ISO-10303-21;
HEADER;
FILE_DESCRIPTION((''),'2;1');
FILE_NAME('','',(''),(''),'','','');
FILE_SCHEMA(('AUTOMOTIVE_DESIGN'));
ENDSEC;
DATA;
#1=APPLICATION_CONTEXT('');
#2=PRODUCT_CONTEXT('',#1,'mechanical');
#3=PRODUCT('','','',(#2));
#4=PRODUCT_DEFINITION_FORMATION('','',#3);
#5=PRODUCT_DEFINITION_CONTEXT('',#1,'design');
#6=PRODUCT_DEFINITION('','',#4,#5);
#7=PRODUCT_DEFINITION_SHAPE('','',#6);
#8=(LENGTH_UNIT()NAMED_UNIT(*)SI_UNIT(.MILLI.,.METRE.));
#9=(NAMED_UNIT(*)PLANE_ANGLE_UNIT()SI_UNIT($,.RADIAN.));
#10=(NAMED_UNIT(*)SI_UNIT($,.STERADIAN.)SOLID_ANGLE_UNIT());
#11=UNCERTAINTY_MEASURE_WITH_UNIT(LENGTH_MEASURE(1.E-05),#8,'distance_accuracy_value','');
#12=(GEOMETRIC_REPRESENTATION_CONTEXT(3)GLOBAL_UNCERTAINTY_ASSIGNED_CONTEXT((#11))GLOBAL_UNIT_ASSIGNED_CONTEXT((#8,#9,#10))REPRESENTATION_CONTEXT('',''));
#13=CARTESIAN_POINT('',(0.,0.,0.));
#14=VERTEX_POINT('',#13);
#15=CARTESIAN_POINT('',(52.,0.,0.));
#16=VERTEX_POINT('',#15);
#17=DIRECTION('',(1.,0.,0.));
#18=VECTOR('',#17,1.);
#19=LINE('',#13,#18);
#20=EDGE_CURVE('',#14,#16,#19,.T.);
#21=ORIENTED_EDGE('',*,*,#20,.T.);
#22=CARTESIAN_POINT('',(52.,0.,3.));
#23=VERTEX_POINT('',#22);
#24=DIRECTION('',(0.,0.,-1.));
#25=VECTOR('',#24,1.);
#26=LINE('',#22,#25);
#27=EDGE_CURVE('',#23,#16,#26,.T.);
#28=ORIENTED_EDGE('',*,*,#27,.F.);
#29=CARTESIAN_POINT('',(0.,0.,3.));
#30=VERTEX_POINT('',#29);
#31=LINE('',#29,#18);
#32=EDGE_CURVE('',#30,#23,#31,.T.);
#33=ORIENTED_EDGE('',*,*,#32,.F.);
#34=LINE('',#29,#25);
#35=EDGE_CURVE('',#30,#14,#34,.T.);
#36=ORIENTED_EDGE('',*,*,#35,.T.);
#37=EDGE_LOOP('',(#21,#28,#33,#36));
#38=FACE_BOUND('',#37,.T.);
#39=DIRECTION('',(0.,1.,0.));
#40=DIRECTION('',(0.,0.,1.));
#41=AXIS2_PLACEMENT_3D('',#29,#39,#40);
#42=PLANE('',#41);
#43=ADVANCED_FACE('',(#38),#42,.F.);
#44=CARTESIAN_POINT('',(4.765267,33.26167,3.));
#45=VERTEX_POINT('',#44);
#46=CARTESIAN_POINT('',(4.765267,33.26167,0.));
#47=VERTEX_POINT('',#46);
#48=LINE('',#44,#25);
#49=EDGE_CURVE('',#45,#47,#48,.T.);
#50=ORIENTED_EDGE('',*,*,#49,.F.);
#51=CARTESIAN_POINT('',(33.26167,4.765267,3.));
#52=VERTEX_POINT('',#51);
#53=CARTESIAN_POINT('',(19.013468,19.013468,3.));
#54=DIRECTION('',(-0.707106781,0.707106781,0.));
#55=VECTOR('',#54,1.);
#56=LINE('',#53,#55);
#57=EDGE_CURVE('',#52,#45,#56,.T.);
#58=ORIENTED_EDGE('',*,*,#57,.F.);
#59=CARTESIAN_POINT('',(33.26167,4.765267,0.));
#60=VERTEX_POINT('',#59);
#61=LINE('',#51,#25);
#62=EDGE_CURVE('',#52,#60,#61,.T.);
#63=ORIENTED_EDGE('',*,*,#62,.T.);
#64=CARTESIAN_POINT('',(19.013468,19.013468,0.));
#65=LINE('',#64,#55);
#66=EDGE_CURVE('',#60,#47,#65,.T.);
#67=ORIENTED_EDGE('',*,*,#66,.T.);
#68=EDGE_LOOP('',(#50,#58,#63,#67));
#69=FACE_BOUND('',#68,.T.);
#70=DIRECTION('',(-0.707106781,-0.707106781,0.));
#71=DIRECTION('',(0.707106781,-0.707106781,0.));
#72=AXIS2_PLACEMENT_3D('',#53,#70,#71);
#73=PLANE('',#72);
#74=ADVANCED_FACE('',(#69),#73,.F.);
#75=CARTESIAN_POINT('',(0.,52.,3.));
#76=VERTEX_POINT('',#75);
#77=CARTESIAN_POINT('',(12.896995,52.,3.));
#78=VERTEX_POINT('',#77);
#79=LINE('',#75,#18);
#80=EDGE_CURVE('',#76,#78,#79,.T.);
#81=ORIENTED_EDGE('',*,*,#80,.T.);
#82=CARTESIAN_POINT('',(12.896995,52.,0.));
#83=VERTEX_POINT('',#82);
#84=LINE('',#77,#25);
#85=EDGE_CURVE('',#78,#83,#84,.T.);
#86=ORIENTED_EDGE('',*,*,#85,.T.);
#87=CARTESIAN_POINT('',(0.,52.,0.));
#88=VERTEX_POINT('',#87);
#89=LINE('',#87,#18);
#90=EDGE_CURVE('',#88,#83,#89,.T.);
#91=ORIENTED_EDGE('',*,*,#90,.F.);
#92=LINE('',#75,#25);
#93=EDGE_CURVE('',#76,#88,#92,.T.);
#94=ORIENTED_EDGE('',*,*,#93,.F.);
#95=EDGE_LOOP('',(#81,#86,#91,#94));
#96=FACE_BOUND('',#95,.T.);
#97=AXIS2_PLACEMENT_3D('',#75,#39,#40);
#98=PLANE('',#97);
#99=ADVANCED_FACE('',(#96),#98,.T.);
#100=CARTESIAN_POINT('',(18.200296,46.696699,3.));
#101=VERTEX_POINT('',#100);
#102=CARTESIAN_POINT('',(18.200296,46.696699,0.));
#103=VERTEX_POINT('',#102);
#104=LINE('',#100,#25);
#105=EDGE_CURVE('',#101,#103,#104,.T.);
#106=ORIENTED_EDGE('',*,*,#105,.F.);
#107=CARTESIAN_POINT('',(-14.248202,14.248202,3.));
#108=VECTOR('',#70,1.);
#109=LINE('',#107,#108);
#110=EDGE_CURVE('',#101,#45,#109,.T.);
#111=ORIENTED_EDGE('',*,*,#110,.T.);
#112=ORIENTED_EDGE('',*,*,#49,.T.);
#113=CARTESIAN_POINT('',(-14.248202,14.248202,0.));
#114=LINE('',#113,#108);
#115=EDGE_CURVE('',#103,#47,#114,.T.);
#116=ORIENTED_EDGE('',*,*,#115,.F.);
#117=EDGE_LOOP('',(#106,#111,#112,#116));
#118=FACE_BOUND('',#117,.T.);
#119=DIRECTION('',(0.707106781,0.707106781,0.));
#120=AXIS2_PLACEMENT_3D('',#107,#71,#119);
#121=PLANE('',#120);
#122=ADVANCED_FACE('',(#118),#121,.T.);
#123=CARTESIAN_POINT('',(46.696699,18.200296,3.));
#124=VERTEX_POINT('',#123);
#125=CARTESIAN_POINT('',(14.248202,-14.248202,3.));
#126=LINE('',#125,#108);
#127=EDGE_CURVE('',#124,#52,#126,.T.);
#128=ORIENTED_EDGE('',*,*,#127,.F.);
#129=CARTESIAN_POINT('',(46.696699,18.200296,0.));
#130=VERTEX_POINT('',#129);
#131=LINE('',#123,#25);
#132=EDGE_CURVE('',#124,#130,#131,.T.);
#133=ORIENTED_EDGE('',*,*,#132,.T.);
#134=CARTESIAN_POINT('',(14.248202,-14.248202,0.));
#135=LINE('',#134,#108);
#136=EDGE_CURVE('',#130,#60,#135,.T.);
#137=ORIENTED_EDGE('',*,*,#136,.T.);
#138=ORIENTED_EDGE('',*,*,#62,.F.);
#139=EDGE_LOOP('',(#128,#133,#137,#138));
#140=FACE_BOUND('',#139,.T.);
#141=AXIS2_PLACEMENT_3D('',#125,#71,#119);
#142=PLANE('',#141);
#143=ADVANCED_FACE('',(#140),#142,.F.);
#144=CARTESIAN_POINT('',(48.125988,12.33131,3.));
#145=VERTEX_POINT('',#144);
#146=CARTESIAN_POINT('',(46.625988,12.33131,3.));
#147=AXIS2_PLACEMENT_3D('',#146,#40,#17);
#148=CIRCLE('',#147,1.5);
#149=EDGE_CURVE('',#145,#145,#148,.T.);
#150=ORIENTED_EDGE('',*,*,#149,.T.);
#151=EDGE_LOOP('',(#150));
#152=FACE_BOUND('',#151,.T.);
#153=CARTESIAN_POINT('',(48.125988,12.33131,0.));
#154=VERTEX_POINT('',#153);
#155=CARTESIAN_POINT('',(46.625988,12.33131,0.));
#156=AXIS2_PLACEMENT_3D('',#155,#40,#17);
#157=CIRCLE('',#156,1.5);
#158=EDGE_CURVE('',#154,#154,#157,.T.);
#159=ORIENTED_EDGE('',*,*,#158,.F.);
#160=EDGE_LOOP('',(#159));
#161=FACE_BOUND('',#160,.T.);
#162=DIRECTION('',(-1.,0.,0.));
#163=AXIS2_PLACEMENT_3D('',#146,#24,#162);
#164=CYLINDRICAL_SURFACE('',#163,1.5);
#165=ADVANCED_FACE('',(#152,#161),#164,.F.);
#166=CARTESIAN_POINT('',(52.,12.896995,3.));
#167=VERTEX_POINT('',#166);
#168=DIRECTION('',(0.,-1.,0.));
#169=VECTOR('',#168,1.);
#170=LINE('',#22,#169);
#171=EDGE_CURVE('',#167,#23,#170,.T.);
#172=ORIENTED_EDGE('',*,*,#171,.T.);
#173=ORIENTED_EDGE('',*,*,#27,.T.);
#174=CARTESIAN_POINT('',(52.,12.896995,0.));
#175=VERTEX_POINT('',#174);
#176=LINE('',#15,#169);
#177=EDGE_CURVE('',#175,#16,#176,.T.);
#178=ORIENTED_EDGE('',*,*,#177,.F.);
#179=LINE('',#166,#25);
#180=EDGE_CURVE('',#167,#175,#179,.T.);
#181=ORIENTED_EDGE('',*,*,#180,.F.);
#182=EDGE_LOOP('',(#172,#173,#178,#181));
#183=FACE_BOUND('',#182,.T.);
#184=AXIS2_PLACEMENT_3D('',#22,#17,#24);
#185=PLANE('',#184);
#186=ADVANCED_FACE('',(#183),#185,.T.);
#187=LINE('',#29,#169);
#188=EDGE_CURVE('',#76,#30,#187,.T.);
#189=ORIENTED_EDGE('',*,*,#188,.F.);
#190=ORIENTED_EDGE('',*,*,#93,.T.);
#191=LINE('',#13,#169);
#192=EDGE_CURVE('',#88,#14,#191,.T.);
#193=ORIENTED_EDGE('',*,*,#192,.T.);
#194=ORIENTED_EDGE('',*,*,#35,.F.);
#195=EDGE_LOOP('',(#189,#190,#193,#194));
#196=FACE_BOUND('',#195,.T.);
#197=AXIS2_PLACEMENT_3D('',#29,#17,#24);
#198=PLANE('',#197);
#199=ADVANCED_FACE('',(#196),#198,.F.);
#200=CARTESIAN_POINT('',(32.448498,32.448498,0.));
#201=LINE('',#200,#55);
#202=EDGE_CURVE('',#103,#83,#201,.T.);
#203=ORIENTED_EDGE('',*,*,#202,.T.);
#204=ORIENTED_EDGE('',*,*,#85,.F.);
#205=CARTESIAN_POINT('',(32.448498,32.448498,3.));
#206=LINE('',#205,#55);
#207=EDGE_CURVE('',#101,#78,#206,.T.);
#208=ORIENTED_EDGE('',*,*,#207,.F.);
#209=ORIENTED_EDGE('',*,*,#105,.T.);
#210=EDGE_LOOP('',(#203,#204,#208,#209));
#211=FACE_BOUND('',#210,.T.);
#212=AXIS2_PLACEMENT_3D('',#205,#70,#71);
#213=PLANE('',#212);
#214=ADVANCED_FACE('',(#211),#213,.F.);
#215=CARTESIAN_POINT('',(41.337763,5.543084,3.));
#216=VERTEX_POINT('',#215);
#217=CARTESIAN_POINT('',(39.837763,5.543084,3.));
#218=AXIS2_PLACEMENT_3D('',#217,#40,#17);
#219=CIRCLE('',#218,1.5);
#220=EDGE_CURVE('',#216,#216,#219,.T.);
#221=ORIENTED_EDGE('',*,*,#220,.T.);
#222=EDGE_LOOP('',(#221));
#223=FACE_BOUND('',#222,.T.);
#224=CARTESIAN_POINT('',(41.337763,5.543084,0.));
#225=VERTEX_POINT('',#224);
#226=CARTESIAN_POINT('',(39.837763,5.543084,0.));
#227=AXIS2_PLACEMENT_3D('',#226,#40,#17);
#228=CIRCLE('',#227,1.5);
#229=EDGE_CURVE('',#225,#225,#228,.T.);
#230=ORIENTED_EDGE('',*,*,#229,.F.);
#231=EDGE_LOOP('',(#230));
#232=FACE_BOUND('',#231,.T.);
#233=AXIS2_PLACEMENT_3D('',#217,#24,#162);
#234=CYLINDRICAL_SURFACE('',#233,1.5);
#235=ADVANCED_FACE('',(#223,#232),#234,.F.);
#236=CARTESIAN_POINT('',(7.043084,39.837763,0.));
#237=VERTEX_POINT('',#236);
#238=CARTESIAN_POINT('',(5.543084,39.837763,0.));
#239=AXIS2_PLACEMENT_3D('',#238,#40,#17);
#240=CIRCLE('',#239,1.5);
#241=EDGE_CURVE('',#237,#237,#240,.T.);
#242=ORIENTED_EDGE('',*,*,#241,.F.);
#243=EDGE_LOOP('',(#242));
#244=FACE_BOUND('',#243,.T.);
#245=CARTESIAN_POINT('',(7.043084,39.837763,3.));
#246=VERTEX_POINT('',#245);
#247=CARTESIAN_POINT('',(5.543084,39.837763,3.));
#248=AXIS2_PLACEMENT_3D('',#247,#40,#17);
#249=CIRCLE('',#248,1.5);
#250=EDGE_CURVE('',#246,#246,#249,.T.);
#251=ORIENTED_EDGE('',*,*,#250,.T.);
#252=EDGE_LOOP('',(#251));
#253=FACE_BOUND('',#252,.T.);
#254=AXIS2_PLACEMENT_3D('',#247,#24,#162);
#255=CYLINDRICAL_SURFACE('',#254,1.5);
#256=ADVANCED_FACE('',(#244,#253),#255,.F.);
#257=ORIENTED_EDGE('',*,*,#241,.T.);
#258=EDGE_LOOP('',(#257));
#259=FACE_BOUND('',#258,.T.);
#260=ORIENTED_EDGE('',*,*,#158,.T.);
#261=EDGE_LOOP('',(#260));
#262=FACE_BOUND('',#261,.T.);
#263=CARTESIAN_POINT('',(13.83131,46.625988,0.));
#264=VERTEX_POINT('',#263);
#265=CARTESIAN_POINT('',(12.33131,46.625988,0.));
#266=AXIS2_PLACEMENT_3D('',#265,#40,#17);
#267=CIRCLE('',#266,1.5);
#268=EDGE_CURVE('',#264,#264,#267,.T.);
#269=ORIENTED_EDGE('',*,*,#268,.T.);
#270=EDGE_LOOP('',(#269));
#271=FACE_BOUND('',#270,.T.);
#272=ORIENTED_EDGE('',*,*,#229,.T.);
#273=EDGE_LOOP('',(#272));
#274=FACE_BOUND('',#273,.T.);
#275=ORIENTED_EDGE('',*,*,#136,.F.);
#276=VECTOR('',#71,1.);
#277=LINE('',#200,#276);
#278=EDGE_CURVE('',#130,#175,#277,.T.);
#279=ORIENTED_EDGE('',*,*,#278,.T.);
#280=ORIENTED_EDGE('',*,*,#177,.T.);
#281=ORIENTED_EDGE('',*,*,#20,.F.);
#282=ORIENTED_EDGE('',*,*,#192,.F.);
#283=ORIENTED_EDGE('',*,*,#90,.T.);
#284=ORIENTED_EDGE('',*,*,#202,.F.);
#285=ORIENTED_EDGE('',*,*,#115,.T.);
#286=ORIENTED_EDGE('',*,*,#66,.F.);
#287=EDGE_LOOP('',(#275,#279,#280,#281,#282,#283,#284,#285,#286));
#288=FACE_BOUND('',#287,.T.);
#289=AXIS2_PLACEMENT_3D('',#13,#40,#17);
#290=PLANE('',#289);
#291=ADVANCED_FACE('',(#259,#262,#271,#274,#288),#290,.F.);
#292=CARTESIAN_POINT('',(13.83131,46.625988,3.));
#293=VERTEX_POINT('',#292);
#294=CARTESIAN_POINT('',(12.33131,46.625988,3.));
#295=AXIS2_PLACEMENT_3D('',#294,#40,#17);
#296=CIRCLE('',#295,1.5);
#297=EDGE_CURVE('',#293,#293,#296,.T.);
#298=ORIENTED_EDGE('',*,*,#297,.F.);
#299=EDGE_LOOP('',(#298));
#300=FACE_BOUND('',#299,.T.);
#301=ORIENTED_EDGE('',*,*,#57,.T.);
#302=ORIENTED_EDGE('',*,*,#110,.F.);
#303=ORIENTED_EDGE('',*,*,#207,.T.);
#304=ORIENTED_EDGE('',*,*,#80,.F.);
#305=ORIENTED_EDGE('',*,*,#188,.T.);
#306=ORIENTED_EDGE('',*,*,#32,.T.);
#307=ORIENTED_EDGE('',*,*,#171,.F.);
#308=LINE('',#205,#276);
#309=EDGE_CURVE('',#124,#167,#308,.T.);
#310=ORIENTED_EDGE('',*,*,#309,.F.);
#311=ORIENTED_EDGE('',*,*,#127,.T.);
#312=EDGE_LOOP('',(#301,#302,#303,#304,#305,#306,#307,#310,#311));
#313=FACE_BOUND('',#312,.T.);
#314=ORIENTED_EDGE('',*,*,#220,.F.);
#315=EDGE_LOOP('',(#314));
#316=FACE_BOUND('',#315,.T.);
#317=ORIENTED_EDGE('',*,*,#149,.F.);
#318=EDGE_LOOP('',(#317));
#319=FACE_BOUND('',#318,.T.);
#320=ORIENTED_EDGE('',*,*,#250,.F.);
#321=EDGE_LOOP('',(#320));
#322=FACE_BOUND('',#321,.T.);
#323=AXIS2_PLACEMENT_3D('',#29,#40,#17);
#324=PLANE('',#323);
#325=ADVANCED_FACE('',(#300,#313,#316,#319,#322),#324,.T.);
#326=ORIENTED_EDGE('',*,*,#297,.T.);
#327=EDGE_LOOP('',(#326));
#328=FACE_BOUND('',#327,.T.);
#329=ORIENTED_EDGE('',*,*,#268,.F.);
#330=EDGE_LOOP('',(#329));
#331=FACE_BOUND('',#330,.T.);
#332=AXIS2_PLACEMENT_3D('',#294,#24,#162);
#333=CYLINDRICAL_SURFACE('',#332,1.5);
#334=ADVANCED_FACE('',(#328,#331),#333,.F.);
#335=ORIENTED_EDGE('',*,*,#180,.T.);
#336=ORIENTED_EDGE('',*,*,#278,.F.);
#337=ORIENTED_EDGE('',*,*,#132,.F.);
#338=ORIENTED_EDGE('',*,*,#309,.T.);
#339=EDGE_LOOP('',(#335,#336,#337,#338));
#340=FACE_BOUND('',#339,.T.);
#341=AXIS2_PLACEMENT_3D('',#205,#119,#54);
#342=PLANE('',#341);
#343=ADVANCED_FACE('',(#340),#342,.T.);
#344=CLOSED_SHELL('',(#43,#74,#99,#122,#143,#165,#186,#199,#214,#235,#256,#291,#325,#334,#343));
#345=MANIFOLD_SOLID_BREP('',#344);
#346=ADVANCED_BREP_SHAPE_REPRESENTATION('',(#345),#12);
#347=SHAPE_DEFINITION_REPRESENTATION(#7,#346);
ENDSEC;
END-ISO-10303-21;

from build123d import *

# Parameters (mm, degrees)
MODEL_R                 = 1.5
SALIENTE_EXTRUIR2_DEPTH = 3


with BuildPart() as part:
    # Model → Saliente-Extruir2 (new body)
    with BuildSketch(Plane.XY):
        Polygon((18.200296, 46.696699), (4.765267, 33.26167), (33.26167, 4.765267), (46.696699, 18.200296), (52, 12.896995), (52, 0), (0, 0), (0, 52), (12.896995, 52), align=None)
        with Locations((39.837763, 5.543084)):
            Circle(MODEL_R, mode=Mode.SUBTRACT)
        with Locations((46.625988, 12.33131)):
            Circle(MODEL_R, mode=Mode.SUBTRACT)
        with Locations((12.33131, 46.625988)):
            Circle(MODEL_R, mode=Mode.SUBTRACT)
        with Locations((5.543084, 39.837763)):
            Circle(MODEL_R, mode=Mode.SUBTRACT)
    extrude(amount=SALIENTE_EXTRUIR2_DEPTH)


solid = part.part
